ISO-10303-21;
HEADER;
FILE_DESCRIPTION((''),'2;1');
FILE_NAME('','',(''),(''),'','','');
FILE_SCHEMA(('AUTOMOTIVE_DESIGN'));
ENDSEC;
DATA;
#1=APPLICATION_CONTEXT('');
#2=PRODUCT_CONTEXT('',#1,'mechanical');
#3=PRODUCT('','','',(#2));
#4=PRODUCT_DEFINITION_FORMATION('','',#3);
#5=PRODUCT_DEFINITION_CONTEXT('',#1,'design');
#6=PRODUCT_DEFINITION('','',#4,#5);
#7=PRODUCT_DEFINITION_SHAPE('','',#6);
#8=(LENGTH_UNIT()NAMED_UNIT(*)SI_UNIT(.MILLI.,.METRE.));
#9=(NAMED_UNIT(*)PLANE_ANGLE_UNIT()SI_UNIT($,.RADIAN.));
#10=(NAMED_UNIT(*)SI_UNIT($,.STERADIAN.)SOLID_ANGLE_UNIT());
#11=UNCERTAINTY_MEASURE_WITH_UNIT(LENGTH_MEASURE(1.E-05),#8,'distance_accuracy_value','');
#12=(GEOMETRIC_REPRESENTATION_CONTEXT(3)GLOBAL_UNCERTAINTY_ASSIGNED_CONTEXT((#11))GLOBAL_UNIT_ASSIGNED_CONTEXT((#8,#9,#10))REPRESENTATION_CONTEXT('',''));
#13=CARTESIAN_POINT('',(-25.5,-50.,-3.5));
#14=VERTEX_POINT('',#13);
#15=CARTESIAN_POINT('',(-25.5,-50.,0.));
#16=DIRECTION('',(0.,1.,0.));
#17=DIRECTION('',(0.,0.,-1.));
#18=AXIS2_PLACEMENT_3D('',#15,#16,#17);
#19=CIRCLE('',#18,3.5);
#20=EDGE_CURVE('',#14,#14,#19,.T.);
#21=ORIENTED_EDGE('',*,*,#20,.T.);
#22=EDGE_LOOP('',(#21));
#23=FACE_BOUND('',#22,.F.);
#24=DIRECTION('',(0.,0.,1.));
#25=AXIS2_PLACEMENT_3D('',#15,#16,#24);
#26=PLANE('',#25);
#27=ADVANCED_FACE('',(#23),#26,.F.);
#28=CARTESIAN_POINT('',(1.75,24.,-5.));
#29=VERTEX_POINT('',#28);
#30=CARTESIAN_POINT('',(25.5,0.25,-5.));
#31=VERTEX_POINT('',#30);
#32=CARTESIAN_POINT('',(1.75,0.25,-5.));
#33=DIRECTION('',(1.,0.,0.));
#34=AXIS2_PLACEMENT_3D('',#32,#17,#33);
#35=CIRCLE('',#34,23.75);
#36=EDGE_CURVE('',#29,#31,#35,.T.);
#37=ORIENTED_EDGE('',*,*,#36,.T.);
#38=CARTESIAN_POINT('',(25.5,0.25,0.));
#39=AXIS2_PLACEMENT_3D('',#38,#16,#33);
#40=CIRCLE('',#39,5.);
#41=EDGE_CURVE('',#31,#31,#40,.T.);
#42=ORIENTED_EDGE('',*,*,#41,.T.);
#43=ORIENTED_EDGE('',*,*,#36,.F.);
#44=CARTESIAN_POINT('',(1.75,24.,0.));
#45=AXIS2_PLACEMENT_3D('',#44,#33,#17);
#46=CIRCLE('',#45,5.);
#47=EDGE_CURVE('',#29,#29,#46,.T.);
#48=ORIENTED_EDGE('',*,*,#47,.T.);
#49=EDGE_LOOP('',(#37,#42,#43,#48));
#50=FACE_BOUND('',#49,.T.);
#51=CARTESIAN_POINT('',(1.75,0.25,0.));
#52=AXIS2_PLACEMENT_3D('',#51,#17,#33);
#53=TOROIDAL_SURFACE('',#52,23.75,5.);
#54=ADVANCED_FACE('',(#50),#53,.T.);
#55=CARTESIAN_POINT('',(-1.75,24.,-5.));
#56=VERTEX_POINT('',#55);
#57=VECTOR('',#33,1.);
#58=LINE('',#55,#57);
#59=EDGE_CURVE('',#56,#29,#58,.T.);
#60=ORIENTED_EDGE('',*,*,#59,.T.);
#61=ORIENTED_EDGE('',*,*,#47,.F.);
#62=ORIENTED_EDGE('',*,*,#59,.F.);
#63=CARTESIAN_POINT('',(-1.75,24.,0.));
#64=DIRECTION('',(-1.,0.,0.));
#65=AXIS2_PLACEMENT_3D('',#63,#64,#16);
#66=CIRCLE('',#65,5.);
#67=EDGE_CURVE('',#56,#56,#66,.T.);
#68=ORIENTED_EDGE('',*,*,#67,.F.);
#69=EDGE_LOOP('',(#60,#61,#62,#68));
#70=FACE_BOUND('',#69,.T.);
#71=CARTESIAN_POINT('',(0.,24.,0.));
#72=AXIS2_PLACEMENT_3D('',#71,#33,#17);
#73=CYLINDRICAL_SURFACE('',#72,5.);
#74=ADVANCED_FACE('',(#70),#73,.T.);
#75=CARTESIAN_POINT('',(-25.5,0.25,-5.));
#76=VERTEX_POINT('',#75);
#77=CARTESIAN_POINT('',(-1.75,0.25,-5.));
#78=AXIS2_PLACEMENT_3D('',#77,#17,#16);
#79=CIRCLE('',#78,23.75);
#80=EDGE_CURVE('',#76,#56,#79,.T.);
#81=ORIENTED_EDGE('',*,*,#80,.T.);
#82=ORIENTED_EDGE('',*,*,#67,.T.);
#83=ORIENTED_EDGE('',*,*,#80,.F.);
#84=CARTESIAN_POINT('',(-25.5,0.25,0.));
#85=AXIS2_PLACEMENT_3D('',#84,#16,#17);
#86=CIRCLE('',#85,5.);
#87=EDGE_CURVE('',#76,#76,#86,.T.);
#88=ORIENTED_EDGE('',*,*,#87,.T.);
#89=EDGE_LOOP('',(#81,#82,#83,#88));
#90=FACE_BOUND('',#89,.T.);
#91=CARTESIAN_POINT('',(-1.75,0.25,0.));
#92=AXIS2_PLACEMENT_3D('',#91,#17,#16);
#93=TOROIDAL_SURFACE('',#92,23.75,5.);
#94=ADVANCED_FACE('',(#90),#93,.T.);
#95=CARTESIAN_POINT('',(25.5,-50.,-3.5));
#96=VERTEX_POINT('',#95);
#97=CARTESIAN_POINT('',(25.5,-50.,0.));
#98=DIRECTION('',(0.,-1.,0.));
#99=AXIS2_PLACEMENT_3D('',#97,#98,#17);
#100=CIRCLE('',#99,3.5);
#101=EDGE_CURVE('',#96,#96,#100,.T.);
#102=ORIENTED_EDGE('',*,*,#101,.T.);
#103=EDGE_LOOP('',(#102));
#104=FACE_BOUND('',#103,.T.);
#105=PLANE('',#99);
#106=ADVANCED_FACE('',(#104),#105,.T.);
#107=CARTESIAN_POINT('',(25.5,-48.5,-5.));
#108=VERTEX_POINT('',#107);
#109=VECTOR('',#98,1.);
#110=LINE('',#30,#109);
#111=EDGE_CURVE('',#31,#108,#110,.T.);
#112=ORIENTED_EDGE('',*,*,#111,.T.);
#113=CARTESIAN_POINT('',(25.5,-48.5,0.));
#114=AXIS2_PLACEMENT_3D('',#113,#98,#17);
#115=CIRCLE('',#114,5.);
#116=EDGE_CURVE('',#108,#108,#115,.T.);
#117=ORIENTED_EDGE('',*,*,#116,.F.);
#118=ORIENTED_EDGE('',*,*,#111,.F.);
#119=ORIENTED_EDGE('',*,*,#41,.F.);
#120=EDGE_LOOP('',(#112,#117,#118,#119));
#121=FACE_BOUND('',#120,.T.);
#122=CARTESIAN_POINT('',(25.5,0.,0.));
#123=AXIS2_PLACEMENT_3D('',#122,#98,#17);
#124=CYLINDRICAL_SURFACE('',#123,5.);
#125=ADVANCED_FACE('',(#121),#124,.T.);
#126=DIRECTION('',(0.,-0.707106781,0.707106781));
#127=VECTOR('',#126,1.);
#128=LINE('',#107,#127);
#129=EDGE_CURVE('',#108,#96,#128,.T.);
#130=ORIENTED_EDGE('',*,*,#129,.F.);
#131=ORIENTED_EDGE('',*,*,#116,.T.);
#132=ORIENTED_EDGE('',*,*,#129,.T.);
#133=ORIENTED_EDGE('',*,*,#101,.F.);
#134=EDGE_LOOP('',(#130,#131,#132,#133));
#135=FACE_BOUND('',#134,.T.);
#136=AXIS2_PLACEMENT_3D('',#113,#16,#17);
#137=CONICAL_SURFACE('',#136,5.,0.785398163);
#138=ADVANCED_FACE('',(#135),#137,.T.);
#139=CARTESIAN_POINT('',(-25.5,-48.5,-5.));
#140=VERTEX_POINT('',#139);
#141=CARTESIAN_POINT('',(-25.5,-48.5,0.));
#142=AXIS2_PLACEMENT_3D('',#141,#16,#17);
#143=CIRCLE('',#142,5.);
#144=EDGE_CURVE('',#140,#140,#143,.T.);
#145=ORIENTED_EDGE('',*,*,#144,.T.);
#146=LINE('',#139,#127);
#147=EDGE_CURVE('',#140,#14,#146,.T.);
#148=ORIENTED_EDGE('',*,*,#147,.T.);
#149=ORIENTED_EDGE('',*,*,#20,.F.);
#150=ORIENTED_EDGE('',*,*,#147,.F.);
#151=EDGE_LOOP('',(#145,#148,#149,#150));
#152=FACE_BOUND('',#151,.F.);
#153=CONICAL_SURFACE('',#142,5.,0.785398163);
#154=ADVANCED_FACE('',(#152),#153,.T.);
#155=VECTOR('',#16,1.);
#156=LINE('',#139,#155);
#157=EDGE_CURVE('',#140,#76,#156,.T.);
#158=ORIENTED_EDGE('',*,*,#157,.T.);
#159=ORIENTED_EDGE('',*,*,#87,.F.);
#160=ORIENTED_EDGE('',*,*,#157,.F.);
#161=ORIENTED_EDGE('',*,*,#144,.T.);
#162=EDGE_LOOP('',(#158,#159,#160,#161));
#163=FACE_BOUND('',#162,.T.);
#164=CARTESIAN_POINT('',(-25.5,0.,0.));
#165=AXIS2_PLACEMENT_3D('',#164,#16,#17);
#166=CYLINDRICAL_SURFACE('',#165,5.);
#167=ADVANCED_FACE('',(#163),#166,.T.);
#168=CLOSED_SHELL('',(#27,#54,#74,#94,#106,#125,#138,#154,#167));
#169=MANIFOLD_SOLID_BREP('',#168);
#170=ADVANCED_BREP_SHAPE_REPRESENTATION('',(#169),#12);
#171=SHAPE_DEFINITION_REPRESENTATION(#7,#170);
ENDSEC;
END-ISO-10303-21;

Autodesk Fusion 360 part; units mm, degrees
sketch "Sketch1" plane through (0, 0, 0) normal (0, 0, 1) x (1, 0, 0)
  circle A0 centre (0, 0) radius 19 construction
  circle A1 centre (0, 0) radius 24 construction
  line L0 (-24, 0.0214) -> (24, 0.0214) construction
  line L1 (0, 0) -> (0, -50) construction
  line L2 (-25.5, 0) -> (-25.5, -50)
  line L3 (25.5, 0) -> (25.5, -50)
  line L4 (0, 0) -> (0, 24) construction
  line L5 (-25.5, 0) -> (-25.5, 0.25)
  line L6 (0, 24) -> (-1.75, 24)
  arc A2 (-1.75, 24) -> (-25.5, 0.25) centre (-1.75, 0.25) ccw
  arc A3 (25.5, 0.25) -> (1.75, 24) centre (1.75, 0.25) ccw
  line L7 (0, 24) -> (1.75, 24)
  line L8 (25.5, 0) -> (25.5, 0.25)
  dimension "d1" = 38
  dimension "d2" = 5
  dimension "d3" = 50
  dimension "d4" = 25.5
  dimension "d5" = 25.5
  dimension "d6" = 23.75
sketch "Sketch2" plane through (0, 0, 0) normal (1, 0, 0) x (0, 0, -1)
  circle A0 centre (0, 24) radius 5
  point P0 (0, 24)
  dimension "d7" = 10
sweep "Sweep1" add profiles "Sketch2" path "Sketch1" along L3 L8 A3 L7 L6 A2 L5 L2 section 1
chamfer "Chamfer1" distance 1.5 angle 45 2 edges at (-27.3081, -50, 4.6616) (23.6919, -50, 4.6616)
thread "Thread1"
thread "Thread2"
